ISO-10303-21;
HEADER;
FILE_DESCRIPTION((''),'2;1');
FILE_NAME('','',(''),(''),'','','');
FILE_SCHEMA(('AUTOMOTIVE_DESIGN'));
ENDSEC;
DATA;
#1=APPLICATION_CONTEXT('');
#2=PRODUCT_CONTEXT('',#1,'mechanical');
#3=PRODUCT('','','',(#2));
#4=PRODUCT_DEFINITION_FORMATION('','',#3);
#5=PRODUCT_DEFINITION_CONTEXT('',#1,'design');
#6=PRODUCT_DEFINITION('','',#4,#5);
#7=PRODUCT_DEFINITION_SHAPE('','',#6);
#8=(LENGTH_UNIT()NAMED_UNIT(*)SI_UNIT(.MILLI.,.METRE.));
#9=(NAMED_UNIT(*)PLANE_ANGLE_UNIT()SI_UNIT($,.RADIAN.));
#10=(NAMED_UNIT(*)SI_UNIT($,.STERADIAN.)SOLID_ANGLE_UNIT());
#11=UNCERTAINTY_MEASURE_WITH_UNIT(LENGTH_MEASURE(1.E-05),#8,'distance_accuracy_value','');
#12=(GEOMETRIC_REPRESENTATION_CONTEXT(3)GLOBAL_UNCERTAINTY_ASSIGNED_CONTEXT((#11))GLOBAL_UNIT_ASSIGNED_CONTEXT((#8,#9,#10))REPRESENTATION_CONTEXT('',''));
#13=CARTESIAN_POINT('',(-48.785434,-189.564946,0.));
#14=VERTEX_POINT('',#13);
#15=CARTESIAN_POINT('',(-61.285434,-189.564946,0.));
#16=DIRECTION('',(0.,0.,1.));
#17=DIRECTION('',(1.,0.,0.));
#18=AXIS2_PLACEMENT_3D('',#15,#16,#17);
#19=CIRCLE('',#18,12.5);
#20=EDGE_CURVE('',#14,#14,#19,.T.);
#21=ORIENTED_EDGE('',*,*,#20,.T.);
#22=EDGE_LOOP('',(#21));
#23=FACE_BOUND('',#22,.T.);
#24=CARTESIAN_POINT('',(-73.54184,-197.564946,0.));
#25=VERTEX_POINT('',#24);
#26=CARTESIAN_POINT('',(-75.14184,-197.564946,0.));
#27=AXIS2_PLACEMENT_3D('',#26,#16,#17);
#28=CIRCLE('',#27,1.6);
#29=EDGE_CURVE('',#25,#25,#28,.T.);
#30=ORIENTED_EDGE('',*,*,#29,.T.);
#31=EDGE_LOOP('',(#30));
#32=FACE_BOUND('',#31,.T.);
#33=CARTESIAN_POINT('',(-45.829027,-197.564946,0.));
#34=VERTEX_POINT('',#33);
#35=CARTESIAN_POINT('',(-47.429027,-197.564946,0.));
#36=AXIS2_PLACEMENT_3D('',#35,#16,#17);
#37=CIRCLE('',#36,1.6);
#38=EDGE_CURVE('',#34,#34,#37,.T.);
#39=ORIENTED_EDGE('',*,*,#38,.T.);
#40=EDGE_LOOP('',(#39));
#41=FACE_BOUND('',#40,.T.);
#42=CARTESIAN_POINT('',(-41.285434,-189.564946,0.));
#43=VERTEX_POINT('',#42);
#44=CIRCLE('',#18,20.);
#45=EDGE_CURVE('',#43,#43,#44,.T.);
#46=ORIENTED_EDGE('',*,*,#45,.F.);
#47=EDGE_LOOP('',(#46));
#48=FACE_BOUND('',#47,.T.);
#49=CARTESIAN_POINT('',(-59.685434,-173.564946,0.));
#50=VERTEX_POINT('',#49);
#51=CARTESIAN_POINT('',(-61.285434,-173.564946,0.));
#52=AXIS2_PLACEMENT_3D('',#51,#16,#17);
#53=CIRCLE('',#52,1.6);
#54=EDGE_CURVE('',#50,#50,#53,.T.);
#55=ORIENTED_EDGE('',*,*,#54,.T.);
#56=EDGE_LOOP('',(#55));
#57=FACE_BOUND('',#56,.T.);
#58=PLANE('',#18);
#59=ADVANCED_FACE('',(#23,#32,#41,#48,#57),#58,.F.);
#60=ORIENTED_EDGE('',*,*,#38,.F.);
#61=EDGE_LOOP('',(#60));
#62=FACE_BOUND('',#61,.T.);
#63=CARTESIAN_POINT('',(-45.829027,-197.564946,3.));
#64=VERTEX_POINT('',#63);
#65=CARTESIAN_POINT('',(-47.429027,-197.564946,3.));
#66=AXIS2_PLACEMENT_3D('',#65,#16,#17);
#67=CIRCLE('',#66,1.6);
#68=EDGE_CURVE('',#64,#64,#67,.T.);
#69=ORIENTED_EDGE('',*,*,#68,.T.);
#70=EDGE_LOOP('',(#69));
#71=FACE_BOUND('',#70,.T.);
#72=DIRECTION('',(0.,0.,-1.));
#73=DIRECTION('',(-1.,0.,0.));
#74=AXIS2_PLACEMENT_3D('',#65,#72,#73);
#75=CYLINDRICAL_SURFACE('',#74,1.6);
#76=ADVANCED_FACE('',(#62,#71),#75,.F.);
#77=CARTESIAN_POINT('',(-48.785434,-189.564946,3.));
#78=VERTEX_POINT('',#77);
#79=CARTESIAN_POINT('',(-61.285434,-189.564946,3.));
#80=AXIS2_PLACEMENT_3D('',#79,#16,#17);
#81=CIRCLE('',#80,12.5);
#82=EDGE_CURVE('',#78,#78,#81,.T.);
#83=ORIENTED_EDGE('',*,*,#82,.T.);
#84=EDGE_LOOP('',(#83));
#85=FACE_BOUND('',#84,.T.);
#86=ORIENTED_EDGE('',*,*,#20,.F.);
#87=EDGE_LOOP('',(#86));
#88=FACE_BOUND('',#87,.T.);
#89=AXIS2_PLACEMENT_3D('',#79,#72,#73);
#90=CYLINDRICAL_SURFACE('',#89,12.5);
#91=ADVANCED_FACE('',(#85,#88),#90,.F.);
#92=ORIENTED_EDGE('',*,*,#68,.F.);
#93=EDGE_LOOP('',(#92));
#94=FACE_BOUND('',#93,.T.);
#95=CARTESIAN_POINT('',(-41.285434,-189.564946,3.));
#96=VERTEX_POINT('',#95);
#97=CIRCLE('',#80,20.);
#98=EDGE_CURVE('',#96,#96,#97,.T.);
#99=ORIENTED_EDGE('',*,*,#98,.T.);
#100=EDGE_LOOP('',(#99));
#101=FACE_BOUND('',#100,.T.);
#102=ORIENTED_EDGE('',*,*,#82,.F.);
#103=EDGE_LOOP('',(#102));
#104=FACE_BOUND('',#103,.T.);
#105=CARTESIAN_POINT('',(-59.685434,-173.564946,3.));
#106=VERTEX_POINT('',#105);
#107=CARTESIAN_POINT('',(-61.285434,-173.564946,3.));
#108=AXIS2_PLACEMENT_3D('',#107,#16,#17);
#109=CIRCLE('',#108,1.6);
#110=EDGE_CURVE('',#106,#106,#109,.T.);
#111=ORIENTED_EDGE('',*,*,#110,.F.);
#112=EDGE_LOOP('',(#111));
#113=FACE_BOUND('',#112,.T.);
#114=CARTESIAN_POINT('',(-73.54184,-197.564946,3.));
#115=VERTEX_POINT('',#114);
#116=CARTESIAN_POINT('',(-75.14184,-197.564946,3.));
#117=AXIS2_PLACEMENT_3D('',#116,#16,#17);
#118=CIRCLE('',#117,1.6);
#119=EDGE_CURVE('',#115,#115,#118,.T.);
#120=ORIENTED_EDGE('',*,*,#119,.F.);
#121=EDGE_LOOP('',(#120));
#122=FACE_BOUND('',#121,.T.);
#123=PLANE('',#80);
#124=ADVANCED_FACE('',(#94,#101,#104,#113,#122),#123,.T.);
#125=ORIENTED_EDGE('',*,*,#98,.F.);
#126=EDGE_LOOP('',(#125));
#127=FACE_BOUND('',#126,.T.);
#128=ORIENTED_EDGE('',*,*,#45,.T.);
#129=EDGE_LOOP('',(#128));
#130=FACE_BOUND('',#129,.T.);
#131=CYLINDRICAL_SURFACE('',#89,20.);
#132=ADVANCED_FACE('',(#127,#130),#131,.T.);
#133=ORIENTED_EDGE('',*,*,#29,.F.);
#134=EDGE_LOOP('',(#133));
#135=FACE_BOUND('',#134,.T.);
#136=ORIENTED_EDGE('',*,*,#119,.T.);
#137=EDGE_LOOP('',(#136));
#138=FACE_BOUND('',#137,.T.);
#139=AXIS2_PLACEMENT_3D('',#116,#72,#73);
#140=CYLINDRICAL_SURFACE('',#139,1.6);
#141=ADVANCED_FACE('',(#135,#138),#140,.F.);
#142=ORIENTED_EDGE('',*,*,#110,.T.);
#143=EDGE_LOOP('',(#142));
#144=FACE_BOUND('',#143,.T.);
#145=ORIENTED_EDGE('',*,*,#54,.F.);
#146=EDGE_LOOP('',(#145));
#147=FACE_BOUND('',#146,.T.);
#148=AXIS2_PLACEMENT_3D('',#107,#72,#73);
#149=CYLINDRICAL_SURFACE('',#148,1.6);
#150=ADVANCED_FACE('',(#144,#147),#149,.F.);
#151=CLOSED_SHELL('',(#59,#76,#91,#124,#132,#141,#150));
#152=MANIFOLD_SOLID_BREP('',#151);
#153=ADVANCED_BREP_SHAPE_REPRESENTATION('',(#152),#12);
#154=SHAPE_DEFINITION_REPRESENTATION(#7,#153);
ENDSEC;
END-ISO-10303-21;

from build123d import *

# Parameters (mm, degrees)
SKETCH_1_R      = 20
SKETCH_1_R_2    = 12.5
SKETCH_1_R_3    = 1.6
EXTRUDE_1_DEPTH = 3


with BuildPart() as part:
    # 草图1 → 凸台-拉伸1 (new body)
    with BuildSketch(Plane.XY):
        with Locations((-61.285433699, -189.564945779)):
            Circle(SKETCH_1_R)
        with Locations((-61.285433699, -189.564945779)):
            Circle(SKETCH_1_R_2, mode=Mode.SUBTRACT)
        with Locations((-61.285433699, -173.564945779)):
            Circle(SKETCH_1_R_3, mode=Mode.SUBTRACT)
        with Locations((-47.429027239, -197.564945779)):
            Circle(SKETCH_1_R_3, mode=Mode.SUBTRACT)
        with Locations((-75.14184016, -197.564945779)):
            Circle(SKETCH_1_R_3, mode=Mode.SUBTRACT)
    extrude(amount=EXTRUDE_1_DEPTH)


solid = part.part
